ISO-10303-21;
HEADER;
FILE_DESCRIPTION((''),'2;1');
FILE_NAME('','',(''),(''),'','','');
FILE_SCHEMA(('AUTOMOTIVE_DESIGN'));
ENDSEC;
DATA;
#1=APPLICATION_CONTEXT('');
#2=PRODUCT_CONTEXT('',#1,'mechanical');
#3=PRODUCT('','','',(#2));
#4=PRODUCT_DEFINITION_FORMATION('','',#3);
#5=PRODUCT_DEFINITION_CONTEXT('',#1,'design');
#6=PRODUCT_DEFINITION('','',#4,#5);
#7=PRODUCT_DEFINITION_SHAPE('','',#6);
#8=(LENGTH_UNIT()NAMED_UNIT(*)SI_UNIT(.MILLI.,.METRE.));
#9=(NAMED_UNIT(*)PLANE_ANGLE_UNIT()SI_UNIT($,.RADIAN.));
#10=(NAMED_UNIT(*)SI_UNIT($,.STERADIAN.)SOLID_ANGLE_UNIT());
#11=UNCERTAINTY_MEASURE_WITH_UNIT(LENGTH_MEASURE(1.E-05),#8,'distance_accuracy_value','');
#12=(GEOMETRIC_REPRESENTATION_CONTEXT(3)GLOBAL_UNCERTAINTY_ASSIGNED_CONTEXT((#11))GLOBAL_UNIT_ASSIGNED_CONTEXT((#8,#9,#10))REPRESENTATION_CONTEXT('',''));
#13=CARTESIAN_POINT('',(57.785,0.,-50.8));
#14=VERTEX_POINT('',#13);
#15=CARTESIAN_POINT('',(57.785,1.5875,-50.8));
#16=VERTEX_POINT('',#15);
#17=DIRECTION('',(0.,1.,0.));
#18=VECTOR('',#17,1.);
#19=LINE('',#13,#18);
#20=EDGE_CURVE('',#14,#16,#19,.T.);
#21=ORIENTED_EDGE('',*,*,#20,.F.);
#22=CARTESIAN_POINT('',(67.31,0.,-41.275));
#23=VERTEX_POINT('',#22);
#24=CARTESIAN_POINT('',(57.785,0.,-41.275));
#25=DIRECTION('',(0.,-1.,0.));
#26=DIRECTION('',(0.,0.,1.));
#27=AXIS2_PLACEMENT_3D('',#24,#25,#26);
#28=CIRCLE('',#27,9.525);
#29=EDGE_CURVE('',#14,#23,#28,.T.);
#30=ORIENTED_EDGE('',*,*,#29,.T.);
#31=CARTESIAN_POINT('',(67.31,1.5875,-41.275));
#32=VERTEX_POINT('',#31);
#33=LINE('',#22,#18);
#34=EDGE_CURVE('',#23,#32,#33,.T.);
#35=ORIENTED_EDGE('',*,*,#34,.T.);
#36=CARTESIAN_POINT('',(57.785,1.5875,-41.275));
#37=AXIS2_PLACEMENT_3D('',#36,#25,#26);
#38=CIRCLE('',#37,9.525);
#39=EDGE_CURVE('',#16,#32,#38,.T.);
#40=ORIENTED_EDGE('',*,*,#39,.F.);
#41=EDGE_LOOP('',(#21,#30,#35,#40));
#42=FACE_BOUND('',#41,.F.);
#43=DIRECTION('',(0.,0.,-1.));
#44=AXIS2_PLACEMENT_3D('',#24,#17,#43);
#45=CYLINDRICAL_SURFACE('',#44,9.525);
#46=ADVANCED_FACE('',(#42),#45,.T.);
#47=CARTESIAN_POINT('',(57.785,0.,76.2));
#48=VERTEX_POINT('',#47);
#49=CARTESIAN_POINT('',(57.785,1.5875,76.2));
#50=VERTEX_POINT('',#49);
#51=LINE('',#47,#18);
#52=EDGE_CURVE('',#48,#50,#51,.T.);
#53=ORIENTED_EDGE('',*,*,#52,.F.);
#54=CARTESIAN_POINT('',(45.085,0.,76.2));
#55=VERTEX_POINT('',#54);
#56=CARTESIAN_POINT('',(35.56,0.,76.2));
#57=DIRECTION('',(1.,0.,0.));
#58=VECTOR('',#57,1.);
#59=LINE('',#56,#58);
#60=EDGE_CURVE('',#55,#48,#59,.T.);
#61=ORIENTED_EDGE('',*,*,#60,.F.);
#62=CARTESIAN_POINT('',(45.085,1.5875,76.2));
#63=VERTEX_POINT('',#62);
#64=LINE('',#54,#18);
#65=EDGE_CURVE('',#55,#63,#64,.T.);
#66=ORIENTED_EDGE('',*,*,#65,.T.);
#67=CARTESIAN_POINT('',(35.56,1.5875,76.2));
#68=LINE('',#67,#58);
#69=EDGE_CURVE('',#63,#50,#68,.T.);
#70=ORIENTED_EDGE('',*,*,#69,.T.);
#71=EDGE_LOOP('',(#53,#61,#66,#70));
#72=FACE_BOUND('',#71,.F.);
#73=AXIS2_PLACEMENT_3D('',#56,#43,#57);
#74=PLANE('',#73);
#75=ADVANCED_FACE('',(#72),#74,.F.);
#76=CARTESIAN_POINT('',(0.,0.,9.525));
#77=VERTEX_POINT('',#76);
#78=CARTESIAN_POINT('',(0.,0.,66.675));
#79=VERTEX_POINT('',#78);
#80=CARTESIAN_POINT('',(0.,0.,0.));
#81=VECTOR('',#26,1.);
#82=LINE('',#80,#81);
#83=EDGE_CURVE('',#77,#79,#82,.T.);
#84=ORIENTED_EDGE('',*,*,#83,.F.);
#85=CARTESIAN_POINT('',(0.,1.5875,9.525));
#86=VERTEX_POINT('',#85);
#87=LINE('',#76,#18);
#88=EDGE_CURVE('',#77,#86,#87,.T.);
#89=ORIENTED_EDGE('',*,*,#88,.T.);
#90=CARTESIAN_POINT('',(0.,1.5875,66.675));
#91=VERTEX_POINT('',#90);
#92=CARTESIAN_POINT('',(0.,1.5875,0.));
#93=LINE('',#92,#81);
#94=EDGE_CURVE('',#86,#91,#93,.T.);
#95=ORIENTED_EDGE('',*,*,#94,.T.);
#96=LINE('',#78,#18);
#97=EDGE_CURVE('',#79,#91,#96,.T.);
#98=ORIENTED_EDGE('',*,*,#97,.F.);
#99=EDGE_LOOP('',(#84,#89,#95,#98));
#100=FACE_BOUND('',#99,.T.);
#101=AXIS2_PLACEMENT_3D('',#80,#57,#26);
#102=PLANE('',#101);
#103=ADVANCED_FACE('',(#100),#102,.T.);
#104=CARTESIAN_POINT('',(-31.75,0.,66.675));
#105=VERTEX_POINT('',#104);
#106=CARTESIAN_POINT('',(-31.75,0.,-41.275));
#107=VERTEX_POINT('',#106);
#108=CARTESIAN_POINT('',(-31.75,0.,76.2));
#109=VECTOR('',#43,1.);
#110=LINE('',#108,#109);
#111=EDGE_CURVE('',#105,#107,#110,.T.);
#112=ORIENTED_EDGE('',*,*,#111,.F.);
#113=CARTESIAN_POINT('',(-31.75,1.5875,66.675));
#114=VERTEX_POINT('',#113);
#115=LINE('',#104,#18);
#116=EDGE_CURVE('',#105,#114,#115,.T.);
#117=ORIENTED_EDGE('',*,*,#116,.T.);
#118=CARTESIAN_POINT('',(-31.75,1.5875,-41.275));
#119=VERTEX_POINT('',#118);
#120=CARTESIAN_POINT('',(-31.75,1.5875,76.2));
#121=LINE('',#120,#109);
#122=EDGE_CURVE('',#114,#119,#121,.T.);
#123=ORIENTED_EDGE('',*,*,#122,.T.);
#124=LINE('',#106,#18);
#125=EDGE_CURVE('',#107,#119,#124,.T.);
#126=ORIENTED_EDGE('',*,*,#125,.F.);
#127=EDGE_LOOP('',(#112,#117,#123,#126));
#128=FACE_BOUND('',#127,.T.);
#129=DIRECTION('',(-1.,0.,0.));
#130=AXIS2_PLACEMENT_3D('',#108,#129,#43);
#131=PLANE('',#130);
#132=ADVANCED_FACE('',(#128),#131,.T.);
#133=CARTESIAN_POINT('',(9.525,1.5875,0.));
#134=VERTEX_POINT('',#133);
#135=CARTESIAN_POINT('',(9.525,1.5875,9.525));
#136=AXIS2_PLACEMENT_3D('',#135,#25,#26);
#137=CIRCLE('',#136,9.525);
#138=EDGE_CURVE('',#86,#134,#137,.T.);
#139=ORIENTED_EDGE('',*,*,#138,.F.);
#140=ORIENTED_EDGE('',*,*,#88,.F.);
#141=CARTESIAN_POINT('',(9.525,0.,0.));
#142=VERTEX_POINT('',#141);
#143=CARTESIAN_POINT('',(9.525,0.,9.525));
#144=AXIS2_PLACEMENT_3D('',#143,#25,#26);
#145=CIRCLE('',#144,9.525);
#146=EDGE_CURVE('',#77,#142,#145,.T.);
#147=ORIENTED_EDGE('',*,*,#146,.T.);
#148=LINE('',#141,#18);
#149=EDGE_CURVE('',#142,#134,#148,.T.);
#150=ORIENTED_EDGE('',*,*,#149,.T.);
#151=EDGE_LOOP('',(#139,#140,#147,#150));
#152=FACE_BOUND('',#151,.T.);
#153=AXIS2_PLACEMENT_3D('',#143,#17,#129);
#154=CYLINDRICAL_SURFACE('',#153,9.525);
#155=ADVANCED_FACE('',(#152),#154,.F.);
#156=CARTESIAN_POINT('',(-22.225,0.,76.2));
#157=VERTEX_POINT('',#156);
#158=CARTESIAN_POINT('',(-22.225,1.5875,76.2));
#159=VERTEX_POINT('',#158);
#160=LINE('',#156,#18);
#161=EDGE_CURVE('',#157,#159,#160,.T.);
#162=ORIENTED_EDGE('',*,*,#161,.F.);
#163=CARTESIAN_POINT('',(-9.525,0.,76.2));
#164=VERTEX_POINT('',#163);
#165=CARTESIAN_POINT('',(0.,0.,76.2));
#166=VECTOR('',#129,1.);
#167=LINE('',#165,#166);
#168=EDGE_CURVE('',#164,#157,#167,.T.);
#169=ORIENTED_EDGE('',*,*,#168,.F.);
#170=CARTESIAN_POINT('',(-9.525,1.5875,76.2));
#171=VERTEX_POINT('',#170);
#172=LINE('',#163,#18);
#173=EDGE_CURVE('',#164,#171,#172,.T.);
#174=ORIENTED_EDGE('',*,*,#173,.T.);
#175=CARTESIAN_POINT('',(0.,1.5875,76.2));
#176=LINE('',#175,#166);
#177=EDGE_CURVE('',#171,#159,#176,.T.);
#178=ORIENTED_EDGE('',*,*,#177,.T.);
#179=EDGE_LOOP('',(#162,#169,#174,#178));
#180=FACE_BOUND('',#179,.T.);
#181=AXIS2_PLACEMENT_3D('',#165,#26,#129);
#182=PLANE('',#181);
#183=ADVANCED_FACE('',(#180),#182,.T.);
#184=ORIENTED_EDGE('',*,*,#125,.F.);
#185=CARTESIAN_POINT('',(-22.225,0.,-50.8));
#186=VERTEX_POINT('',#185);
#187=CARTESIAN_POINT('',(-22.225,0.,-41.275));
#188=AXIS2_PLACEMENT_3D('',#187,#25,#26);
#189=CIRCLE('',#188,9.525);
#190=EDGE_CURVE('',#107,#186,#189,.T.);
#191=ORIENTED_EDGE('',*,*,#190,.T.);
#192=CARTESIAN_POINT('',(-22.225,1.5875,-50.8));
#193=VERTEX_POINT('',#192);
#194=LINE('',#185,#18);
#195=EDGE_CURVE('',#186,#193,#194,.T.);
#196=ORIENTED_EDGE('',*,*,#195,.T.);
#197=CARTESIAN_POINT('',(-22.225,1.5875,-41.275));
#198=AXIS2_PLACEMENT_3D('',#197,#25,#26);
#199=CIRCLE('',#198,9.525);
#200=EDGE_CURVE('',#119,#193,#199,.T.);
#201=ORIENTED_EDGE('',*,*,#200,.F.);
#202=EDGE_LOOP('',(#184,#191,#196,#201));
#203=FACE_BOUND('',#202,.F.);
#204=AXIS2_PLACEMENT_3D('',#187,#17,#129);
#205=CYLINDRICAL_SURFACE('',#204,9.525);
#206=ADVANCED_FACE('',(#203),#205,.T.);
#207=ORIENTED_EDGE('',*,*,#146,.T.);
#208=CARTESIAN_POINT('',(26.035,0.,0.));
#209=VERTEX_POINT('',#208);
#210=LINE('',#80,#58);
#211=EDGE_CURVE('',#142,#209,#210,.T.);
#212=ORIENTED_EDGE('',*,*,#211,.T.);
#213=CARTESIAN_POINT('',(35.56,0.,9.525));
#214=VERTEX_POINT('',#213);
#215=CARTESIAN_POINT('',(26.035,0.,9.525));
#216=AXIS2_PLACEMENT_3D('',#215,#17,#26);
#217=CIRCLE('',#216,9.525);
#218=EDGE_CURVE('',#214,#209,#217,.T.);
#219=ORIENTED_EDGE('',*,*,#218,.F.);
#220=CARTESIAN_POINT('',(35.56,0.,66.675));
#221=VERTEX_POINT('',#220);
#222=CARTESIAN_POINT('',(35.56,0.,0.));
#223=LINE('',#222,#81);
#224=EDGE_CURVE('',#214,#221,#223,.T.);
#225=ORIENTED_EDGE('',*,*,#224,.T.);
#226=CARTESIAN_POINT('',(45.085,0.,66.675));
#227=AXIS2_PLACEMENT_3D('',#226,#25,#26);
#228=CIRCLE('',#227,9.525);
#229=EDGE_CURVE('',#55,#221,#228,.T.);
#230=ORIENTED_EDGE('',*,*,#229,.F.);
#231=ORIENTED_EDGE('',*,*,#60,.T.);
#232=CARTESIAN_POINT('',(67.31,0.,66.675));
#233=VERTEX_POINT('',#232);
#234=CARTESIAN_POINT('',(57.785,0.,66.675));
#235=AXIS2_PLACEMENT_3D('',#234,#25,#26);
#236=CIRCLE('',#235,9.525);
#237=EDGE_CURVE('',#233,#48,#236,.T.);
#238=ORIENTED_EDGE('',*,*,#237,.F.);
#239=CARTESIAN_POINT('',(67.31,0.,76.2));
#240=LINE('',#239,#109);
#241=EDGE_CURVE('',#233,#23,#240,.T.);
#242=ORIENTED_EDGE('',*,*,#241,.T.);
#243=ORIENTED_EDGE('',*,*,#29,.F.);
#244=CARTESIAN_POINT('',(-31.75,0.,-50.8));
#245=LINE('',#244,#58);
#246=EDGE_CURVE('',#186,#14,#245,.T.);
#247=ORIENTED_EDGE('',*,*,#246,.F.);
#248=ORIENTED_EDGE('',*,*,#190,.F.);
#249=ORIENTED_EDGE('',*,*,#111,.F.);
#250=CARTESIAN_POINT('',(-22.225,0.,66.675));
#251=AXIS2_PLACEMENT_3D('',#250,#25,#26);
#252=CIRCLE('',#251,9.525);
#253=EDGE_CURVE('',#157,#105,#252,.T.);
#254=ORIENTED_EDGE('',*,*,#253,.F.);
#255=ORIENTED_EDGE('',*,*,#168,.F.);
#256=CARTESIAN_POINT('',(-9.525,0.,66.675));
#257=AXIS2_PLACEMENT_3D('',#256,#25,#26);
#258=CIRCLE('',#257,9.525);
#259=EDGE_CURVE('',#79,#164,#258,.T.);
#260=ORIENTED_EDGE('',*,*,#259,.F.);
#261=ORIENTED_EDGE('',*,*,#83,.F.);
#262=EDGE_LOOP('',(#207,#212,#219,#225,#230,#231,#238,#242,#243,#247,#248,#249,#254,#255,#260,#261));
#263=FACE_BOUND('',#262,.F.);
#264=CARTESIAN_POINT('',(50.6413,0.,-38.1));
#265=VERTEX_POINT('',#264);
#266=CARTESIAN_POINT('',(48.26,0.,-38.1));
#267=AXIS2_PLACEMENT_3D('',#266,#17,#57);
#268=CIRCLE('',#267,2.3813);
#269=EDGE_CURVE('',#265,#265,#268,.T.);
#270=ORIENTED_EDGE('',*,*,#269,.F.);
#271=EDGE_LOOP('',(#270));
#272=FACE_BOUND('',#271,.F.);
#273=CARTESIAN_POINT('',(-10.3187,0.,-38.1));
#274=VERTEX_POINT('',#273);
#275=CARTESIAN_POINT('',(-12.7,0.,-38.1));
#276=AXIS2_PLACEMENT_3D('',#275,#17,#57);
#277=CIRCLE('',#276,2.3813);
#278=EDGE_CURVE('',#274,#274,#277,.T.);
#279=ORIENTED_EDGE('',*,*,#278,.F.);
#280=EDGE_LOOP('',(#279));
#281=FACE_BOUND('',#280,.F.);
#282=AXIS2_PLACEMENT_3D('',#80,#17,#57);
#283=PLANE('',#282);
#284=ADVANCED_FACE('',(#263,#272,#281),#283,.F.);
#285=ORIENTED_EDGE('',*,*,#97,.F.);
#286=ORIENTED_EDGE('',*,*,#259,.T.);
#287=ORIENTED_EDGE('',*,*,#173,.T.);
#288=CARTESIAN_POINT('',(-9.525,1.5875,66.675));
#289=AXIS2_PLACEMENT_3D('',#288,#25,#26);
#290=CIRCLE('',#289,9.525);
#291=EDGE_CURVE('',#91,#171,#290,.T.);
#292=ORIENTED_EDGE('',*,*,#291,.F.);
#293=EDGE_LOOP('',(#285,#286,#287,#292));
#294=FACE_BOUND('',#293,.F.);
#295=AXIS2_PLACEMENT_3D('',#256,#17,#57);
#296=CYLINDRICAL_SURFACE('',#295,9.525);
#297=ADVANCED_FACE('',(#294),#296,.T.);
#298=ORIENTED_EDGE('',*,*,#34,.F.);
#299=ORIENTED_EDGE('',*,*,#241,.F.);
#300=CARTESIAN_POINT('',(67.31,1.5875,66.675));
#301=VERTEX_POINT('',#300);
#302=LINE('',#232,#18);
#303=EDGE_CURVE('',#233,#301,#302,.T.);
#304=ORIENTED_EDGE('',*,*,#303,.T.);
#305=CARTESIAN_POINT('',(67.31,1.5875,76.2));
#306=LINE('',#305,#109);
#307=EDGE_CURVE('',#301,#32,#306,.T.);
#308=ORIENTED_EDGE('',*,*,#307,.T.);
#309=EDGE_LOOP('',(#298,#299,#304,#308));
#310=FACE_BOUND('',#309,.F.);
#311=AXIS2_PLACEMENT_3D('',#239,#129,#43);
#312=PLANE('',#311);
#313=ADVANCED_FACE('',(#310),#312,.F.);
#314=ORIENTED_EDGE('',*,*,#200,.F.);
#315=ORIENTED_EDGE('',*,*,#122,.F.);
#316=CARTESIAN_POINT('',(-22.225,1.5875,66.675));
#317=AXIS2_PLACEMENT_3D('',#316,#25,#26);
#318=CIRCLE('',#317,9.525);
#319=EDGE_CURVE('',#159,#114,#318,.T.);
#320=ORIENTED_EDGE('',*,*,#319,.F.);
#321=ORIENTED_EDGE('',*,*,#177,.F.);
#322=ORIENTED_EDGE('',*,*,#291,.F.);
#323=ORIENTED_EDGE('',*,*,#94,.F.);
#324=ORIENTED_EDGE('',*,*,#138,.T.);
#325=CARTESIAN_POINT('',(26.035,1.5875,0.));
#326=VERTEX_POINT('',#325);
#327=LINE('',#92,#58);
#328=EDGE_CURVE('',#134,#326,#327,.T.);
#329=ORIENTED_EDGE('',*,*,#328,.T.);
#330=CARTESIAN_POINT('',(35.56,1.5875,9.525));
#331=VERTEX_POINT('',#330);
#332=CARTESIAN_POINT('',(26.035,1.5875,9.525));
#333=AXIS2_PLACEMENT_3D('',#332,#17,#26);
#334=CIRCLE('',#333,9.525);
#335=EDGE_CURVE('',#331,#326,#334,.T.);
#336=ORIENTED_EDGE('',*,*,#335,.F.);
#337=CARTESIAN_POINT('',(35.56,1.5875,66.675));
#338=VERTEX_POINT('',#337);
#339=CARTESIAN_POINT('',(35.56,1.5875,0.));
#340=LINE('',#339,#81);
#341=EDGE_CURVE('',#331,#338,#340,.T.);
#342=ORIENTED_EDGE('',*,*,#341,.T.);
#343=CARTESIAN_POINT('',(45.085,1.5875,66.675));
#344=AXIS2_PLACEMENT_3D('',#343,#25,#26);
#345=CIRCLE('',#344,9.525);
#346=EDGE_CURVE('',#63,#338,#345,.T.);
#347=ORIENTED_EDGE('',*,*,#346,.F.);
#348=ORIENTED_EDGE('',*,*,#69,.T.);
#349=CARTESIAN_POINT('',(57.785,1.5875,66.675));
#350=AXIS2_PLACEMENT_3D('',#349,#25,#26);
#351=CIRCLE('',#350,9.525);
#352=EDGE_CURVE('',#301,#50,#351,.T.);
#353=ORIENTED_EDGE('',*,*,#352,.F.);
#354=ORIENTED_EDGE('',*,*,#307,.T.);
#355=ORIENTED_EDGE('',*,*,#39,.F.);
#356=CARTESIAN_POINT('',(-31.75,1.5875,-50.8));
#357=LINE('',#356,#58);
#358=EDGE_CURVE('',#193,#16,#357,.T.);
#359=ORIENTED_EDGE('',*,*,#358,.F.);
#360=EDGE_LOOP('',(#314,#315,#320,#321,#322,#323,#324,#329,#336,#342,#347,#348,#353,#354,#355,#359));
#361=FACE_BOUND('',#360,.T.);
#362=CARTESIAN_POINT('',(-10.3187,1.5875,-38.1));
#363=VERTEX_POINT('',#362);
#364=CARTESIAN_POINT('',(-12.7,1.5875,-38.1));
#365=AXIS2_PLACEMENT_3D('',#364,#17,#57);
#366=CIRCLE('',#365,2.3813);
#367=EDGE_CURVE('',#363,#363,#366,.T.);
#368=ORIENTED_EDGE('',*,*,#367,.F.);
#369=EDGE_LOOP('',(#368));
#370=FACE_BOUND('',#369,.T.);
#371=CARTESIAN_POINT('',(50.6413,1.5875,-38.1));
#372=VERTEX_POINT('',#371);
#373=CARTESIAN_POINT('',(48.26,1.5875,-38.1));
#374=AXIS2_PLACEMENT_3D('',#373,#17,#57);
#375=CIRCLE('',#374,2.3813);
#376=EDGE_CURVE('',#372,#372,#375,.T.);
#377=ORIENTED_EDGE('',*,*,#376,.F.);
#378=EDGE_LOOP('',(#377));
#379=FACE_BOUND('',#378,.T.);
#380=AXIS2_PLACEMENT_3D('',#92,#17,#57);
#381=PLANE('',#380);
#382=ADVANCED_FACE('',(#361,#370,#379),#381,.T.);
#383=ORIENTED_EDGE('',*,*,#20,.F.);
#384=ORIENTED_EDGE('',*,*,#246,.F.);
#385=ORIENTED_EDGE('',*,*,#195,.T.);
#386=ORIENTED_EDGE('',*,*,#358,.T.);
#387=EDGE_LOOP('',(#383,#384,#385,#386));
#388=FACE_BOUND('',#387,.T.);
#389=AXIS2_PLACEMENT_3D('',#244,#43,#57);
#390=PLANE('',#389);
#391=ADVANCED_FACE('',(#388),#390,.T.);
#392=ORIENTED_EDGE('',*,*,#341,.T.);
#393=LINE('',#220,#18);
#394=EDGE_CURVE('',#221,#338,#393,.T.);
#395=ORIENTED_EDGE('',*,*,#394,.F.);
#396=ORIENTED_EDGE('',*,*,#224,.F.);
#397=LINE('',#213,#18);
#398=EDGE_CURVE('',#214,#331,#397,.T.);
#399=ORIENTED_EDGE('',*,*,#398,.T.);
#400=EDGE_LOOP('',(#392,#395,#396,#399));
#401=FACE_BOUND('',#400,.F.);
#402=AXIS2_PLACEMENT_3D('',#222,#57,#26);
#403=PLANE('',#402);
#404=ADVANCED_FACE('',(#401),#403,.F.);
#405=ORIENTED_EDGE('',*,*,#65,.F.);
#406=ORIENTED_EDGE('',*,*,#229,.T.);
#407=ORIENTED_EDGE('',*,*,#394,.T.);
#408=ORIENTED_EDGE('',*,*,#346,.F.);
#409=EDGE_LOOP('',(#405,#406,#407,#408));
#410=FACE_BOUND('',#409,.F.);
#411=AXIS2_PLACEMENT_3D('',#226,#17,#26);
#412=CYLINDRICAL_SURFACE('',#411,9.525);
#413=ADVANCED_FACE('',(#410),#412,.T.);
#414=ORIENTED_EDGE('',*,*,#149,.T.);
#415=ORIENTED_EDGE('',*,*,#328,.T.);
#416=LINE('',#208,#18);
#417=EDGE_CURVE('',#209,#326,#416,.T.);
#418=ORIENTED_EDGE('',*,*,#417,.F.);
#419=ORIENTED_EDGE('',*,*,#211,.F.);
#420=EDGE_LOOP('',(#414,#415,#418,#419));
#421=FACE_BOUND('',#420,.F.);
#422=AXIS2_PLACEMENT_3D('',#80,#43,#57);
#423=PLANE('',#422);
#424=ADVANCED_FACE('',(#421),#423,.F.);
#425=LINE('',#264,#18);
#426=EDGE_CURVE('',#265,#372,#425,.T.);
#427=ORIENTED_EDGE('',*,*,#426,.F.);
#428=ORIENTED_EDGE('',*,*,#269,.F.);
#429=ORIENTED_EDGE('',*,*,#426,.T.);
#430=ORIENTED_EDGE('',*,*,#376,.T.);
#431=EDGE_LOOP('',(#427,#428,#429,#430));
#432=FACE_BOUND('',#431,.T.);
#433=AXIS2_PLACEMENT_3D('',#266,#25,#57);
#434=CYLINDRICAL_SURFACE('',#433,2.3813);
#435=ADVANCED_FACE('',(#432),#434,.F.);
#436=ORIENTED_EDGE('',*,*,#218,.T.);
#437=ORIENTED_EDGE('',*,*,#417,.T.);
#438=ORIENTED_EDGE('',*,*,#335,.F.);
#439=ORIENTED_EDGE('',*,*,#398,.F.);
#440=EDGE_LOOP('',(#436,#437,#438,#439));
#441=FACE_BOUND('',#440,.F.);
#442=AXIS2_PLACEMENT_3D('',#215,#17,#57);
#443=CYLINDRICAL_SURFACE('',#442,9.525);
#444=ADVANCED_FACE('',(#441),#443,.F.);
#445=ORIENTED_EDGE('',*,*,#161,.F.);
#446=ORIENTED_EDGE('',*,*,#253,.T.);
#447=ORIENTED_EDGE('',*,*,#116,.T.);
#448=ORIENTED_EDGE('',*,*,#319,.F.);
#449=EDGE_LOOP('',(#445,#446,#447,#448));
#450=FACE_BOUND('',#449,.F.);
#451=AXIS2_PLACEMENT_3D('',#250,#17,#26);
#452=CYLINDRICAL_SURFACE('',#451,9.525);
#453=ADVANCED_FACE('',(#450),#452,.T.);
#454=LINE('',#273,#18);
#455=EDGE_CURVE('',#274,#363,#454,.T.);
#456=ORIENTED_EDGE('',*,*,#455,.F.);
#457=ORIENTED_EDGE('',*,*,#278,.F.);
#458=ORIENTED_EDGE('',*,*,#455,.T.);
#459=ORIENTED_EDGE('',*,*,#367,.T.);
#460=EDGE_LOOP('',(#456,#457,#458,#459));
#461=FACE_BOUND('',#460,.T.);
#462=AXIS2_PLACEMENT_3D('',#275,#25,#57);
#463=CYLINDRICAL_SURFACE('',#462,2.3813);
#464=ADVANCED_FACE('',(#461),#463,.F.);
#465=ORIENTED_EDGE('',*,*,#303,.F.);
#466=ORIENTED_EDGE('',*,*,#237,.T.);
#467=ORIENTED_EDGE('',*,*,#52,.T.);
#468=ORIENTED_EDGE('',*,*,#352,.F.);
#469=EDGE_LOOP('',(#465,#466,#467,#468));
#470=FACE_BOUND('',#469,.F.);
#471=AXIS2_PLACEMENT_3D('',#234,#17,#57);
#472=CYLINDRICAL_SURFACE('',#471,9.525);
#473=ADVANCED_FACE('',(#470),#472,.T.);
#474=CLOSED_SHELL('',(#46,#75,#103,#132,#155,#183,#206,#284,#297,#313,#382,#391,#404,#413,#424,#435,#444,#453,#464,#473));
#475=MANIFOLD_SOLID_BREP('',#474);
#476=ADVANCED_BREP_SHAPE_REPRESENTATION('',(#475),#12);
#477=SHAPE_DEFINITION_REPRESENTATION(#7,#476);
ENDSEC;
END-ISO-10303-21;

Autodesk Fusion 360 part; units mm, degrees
sketch "Sketch1" plane through (0, 0, 0) normal (0, 1, 0) x (1, 0, 0)
  line L0 (0, 0) -> (35.56, 0)
  line L1 (0, 0) -> (0, -76.2)
  line L2 (35.56, 0) -> (35.56, -76.2)
  line L3 (0, -76.2) -> (-31.75, -76.2)
  line L4 (35.56, -76.2) -> (67.31, -76.2)
  line L5 (-31.75, -76.2) -> (-31.75, 50.8)
  line L6 (67.31, -76.2) -> (67.31, 50.8)
  line L7 (-31.75, 50.8) -> (67.31, 50.8)
  line L8 (-31.75, 50.8) -> (-12.7, 50.8) construction
  line L9 (-12.7, 50.8) -> (-12.7, 38.1) construction
  line L10 (67.31, 50.8) -> (48.26, 50.8) construction
  line L11 (48.26, 50.8) -> (48.26, 38.1) construction
  circle A0 centre (48.26, 38.1) radius 2.3813
  circle A1 centre (-12.7, 38.1) radius 2.3813
  dimension "d2" = 76.2
  dimension "d3" = 76.2
  dimension "d4" = 31.75
  dimension "d5" = 31.75
  dimension "d6" = 127
  dimension "d7" = 127
  dimension "d8" = 19.05
  dimension "d9" = 4.7625
  dimension "d10" = 4.7625
extrude "Extrude1" add sketch "Sketch1" along normal blind 1.5875 makes body 1
fillet "Fillet1" radius 9.525 8 edges at (0, 0.7937, 0) (35.56, 0.7937, 0) (-31.75, 0.7937, 76.2) (0, 0.7937, 76.2) (35.56, 0.7937, 76.2) (67.31, 0.7937, 76.2) (67.31, 0.7937, -50.8) (-31.75, 0.7937, -50.8) on bodies 1
copy_body "Body->Comp1" bodies 1 removing the originals makes body 2 in component "Component"
component "Component" placed x (1, 0, 0) y (0, 1, 0) z (0, 0, 1) at (0, 0, 0)
equation "d11 = ( 1 / 16 ) * 1 in"
